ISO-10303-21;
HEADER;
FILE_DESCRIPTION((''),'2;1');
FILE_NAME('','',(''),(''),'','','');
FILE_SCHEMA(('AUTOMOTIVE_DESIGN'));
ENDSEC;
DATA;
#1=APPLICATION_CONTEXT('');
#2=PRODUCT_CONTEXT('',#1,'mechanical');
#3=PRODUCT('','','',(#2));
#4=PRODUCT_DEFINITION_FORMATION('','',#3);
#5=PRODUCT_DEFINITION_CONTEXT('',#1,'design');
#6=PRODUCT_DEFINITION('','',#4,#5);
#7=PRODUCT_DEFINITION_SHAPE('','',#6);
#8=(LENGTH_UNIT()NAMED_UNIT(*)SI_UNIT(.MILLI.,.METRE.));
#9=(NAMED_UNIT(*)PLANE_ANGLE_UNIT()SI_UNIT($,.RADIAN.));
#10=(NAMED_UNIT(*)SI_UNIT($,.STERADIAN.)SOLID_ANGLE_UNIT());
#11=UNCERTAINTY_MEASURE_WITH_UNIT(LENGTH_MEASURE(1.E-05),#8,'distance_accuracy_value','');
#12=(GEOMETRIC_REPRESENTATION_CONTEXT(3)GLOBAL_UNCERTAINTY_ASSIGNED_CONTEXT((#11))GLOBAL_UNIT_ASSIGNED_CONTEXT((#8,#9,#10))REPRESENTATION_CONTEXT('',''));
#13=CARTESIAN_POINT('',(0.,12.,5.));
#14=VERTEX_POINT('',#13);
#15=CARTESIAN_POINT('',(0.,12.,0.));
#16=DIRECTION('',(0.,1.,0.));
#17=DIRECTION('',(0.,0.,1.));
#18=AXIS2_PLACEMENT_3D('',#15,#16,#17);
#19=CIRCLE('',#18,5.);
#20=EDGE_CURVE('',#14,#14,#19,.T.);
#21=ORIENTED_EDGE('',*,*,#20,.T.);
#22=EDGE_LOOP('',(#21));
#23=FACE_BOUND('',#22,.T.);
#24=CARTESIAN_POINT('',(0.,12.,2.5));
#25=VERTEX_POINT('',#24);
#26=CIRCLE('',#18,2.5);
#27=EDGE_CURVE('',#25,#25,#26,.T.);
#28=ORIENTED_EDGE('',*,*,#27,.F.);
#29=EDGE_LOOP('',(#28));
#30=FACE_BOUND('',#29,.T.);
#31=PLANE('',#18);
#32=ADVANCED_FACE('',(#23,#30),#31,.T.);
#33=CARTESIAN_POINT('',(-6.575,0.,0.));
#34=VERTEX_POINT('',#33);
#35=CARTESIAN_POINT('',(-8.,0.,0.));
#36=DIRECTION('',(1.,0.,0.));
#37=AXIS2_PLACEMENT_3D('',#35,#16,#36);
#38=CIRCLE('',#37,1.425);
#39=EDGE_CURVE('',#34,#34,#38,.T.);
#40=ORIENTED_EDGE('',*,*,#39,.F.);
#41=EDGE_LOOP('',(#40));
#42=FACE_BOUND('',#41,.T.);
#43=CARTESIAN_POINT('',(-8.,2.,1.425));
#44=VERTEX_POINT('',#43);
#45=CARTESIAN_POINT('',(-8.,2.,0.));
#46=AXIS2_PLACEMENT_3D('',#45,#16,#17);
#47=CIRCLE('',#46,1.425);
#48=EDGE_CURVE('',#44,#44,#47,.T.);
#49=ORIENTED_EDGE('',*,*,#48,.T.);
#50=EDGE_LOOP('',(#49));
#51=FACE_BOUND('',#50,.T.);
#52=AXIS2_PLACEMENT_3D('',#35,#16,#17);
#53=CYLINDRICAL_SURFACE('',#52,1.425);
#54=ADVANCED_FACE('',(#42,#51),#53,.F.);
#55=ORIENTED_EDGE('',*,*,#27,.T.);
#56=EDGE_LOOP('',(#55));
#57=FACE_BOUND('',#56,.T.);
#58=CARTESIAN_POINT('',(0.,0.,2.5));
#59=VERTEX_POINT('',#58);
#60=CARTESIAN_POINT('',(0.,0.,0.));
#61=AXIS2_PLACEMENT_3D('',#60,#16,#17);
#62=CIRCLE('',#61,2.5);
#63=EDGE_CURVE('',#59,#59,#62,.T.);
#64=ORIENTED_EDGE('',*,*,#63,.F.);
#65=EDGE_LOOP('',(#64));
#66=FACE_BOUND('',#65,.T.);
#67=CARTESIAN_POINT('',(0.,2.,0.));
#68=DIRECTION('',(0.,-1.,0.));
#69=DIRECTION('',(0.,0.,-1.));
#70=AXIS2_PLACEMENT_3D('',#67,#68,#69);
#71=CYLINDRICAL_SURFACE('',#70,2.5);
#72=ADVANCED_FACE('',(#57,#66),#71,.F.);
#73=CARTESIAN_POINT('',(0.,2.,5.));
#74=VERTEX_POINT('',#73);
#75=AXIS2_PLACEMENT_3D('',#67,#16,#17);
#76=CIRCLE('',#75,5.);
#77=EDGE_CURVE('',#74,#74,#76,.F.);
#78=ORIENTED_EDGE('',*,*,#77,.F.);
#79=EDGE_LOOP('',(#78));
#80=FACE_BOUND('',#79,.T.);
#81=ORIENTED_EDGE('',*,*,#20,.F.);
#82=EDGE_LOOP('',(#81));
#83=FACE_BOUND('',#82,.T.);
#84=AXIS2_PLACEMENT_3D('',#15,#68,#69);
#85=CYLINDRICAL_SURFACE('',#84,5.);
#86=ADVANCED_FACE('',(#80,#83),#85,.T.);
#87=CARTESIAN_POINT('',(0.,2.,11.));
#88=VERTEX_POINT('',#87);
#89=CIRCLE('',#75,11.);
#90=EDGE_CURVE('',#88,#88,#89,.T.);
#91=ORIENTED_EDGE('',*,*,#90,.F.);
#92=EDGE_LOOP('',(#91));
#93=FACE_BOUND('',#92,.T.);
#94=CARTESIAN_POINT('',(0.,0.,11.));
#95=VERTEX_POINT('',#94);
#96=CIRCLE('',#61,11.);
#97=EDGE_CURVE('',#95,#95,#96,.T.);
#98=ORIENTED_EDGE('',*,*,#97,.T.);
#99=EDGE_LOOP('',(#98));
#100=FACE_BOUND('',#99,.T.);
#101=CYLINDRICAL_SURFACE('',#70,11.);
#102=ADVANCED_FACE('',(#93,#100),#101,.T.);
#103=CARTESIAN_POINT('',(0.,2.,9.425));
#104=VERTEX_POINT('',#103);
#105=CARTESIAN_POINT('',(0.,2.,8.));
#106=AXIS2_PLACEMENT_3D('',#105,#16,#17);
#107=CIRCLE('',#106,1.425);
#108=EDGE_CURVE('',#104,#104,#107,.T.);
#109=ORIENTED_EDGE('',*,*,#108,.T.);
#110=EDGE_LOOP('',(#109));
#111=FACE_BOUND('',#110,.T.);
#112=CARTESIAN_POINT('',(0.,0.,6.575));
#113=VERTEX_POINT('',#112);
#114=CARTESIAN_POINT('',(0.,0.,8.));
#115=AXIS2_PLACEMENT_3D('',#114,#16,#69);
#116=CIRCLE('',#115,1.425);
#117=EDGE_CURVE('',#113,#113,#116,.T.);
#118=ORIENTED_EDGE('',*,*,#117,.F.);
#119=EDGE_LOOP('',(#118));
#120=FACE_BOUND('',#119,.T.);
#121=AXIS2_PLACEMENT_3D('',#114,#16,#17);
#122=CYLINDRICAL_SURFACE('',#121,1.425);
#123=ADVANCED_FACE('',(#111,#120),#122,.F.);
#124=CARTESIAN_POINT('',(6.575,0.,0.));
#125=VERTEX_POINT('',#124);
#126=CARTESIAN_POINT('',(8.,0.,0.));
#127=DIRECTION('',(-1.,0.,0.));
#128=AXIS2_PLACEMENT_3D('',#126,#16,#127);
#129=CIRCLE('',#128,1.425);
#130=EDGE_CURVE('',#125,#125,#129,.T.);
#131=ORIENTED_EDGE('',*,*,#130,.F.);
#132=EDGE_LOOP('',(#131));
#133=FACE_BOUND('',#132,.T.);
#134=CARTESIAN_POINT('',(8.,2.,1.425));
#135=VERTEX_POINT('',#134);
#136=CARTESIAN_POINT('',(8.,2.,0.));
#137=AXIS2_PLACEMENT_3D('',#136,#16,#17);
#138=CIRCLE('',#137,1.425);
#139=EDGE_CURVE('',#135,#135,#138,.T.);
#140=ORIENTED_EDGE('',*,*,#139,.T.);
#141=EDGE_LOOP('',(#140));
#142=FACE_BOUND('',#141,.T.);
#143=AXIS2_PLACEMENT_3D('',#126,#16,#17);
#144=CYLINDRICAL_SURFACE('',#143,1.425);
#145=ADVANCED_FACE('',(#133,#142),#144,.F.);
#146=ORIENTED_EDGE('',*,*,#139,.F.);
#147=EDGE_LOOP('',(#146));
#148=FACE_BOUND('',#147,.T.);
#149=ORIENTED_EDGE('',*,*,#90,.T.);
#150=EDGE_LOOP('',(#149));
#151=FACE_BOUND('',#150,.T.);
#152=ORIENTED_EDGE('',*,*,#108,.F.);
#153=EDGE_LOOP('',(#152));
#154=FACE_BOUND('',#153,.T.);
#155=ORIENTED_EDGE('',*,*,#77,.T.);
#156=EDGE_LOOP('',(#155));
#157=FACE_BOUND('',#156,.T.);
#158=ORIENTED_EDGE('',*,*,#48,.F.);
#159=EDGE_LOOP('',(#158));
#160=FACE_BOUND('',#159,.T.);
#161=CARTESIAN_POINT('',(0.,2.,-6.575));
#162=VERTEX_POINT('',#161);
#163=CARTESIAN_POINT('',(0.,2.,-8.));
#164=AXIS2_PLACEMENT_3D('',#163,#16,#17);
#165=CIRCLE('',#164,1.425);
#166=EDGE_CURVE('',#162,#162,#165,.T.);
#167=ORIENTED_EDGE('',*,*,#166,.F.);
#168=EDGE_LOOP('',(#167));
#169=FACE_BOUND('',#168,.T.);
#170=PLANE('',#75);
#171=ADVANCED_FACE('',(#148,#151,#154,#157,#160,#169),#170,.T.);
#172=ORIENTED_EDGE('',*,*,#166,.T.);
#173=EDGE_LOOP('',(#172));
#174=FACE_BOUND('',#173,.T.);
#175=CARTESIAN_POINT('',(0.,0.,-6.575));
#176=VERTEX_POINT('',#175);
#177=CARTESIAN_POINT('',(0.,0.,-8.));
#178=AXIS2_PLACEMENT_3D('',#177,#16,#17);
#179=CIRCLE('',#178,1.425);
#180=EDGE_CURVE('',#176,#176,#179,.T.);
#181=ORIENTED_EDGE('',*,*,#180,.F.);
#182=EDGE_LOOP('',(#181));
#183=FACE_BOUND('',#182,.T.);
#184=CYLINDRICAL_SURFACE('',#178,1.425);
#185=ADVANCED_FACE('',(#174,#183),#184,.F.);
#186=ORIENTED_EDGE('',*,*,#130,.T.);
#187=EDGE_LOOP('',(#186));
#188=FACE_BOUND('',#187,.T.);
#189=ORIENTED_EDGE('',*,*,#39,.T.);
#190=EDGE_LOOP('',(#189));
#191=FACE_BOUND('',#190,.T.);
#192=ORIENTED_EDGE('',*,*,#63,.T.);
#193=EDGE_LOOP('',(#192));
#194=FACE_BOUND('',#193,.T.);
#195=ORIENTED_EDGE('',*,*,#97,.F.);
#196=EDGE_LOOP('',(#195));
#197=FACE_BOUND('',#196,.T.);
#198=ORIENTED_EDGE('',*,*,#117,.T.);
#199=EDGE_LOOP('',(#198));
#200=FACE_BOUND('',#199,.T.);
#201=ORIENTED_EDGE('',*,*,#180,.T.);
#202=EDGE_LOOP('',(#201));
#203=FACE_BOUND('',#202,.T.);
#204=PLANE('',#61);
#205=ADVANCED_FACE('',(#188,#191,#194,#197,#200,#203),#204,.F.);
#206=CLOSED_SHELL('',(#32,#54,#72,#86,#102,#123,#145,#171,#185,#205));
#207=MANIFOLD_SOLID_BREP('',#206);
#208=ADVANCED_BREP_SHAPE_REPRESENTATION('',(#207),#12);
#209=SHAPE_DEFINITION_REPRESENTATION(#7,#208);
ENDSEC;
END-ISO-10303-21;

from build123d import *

# Parameters (mm, degrees)
SKETCH1_R           = 11
SKETCH1_R_2         = 2.5
BOSS_EXTRUDE1_DEPTH = 2
SKETCH1_3_R         = 5
SKETCH1_3_R_2       = 2.5
BOSS_EXTRUDE2_DEPTH = 12
SKETCH2_R           = 1.425
CUT_EXTRUDE1_DEPTH  = 19.493242009
CIRPATTERN1_COUNT   = 4


with BuildPart() as part:
    # Sketch1 → Boss-Extrude1 (new body)
    with BuildSketch(Plane(origin=(0, 0, 0), x_dir=(1, 0, 0), z_dir=(0, 1, 0))):
        Circle(SKETCH1_R)
        Circle(SKETCH1_R_2, mode=Mode.SUBTRACT)
    extrude(amount=BOSS_EXTRUDE1_DEPTH)

    # Sketch1<3> → Boss-Extrude2 (add)
    with BuildSketch(Plane(origin=(0, 0, 0), x_dir=(1, 0, 0), z_dir=(0, 1, 0))):
        Circle(SKETCH1_3_R)
        Circle(SKETCH1_3_R_2, mode=Mode.SUBTRACT)
    extrude(amount=BOSS_EXTRUDE2_DEPTH)

    # Sketch2 → Cut-Extrude1 (cut, symmetric)
    with BuildSketch(Plane(origin=(0, 2, 0), x_dir=(1, 0, 0), z_dir=(0, 1, 0))):
        with Locations((0, 8)):
            Circle(SKETCH2_R)
    cut_extrude1 = extrude(amount=CUT_EXTRUDE1_DEPTH, both=True, mode=Mode.SUBTRACT)

    # CirPattern1: Cut-Extrude1 ×4 about axis
    cirpattern1_axis = Axis((0, 12, 0), (0, -1, 0))
    for i in range(1, CIRPATTERN1_COUNT):
        add(cut_extrude1.rotate(cirpattern1_axis, i * 360 / CIRPATTERN1_COUNT), mode=Mode.SUBTRACT)


solid = part.part
